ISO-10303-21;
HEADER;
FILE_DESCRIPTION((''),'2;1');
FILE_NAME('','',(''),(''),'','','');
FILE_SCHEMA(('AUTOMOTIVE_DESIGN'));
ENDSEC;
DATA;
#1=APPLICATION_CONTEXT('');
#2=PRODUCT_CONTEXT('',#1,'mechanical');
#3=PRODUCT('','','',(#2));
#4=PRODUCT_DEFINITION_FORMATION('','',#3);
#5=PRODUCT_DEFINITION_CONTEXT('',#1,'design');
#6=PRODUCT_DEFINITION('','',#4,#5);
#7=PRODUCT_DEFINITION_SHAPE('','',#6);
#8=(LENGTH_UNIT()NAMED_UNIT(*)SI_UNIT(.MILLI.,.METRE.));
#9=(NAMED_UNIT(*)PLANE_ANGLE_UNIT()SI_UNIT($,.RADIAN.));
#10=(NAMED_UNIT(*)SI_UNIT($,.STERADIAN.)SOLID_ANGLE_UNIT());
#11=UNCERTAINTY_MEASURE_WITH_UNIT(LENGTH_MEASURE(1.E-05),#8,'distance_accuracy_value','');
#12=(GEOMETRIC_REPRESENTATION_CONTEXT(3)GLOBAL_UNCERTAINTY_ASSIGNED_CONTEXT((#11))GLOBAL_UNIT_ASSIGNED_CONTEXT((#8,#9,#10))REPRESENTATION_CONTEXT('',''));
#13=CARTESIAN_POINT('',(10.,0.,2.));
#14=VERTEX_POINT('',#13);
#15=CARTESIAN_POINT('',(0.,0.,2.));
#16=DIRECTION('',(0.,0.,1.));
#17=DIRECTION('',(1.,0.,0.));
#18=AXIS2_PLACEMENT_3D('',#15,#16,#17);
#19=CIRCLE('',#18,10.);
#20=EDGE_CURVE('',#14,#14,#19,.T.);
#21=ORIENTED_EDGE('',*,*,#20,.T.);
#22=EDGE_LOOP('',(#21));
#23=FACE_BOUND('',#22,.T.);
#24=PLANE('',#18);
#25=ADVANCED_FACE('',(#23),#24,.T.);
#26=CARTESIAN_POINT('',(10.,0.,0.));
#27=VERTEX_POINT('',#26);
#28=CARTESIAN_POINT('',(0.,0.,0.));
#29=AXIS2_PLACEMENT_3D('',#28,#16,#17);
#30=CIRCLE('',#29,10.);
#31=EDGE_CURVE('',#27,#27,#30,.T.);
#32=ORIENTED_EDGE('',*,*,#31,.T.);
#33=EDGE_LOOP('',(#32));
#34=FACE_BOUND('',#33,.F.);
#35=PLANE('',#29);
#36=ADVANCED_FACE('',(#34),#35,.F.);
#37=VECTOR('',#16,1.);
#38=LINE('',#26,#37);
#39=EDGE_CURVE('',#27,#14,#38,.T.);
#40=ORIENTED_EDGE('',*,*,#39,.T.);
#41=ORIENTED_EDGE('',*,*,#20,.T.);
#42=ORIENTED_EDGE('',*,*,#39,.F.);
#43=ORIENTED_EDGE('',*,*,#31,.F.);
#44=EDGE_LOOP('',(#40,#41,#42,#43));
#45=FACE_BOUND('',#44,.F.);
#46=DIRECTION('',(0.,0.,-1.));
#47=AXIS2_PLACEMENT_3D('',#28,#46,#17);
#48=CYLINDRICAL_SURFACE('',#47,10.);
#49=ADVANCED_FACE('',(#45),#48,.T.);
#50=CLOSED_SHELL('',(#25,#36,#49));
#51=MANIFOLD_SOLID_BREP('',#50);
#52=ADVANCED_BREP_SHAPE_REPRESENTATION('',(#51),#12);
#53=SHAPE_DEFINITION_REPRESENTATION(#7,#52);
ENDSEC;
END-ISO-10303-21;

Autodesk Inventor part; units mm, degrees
ref_plane "YZ Plane" through (0, 0, 0) normal (1, 0, 0) x (0, 1, 0)
ref_plane "XZ Plane" through (0, 0, 0) normal (0, 1, 0) x (-1, 0, 0)
ref_plane "XY Plane" through (0, 0, 0) normal (0, 0, 1) x (1, 0, 0)
sketch "Sketch1" plane through (0, 0, 0) normal (0, 0, 1) x (1, 0, 0)
  circle A0 centre (0, 0) radius 10
  dimension "d0" = 20
extrude "Extrusion1" add sketch "Sketch1" along normal blind 2
properties part number "Magnet" material "Steel"
